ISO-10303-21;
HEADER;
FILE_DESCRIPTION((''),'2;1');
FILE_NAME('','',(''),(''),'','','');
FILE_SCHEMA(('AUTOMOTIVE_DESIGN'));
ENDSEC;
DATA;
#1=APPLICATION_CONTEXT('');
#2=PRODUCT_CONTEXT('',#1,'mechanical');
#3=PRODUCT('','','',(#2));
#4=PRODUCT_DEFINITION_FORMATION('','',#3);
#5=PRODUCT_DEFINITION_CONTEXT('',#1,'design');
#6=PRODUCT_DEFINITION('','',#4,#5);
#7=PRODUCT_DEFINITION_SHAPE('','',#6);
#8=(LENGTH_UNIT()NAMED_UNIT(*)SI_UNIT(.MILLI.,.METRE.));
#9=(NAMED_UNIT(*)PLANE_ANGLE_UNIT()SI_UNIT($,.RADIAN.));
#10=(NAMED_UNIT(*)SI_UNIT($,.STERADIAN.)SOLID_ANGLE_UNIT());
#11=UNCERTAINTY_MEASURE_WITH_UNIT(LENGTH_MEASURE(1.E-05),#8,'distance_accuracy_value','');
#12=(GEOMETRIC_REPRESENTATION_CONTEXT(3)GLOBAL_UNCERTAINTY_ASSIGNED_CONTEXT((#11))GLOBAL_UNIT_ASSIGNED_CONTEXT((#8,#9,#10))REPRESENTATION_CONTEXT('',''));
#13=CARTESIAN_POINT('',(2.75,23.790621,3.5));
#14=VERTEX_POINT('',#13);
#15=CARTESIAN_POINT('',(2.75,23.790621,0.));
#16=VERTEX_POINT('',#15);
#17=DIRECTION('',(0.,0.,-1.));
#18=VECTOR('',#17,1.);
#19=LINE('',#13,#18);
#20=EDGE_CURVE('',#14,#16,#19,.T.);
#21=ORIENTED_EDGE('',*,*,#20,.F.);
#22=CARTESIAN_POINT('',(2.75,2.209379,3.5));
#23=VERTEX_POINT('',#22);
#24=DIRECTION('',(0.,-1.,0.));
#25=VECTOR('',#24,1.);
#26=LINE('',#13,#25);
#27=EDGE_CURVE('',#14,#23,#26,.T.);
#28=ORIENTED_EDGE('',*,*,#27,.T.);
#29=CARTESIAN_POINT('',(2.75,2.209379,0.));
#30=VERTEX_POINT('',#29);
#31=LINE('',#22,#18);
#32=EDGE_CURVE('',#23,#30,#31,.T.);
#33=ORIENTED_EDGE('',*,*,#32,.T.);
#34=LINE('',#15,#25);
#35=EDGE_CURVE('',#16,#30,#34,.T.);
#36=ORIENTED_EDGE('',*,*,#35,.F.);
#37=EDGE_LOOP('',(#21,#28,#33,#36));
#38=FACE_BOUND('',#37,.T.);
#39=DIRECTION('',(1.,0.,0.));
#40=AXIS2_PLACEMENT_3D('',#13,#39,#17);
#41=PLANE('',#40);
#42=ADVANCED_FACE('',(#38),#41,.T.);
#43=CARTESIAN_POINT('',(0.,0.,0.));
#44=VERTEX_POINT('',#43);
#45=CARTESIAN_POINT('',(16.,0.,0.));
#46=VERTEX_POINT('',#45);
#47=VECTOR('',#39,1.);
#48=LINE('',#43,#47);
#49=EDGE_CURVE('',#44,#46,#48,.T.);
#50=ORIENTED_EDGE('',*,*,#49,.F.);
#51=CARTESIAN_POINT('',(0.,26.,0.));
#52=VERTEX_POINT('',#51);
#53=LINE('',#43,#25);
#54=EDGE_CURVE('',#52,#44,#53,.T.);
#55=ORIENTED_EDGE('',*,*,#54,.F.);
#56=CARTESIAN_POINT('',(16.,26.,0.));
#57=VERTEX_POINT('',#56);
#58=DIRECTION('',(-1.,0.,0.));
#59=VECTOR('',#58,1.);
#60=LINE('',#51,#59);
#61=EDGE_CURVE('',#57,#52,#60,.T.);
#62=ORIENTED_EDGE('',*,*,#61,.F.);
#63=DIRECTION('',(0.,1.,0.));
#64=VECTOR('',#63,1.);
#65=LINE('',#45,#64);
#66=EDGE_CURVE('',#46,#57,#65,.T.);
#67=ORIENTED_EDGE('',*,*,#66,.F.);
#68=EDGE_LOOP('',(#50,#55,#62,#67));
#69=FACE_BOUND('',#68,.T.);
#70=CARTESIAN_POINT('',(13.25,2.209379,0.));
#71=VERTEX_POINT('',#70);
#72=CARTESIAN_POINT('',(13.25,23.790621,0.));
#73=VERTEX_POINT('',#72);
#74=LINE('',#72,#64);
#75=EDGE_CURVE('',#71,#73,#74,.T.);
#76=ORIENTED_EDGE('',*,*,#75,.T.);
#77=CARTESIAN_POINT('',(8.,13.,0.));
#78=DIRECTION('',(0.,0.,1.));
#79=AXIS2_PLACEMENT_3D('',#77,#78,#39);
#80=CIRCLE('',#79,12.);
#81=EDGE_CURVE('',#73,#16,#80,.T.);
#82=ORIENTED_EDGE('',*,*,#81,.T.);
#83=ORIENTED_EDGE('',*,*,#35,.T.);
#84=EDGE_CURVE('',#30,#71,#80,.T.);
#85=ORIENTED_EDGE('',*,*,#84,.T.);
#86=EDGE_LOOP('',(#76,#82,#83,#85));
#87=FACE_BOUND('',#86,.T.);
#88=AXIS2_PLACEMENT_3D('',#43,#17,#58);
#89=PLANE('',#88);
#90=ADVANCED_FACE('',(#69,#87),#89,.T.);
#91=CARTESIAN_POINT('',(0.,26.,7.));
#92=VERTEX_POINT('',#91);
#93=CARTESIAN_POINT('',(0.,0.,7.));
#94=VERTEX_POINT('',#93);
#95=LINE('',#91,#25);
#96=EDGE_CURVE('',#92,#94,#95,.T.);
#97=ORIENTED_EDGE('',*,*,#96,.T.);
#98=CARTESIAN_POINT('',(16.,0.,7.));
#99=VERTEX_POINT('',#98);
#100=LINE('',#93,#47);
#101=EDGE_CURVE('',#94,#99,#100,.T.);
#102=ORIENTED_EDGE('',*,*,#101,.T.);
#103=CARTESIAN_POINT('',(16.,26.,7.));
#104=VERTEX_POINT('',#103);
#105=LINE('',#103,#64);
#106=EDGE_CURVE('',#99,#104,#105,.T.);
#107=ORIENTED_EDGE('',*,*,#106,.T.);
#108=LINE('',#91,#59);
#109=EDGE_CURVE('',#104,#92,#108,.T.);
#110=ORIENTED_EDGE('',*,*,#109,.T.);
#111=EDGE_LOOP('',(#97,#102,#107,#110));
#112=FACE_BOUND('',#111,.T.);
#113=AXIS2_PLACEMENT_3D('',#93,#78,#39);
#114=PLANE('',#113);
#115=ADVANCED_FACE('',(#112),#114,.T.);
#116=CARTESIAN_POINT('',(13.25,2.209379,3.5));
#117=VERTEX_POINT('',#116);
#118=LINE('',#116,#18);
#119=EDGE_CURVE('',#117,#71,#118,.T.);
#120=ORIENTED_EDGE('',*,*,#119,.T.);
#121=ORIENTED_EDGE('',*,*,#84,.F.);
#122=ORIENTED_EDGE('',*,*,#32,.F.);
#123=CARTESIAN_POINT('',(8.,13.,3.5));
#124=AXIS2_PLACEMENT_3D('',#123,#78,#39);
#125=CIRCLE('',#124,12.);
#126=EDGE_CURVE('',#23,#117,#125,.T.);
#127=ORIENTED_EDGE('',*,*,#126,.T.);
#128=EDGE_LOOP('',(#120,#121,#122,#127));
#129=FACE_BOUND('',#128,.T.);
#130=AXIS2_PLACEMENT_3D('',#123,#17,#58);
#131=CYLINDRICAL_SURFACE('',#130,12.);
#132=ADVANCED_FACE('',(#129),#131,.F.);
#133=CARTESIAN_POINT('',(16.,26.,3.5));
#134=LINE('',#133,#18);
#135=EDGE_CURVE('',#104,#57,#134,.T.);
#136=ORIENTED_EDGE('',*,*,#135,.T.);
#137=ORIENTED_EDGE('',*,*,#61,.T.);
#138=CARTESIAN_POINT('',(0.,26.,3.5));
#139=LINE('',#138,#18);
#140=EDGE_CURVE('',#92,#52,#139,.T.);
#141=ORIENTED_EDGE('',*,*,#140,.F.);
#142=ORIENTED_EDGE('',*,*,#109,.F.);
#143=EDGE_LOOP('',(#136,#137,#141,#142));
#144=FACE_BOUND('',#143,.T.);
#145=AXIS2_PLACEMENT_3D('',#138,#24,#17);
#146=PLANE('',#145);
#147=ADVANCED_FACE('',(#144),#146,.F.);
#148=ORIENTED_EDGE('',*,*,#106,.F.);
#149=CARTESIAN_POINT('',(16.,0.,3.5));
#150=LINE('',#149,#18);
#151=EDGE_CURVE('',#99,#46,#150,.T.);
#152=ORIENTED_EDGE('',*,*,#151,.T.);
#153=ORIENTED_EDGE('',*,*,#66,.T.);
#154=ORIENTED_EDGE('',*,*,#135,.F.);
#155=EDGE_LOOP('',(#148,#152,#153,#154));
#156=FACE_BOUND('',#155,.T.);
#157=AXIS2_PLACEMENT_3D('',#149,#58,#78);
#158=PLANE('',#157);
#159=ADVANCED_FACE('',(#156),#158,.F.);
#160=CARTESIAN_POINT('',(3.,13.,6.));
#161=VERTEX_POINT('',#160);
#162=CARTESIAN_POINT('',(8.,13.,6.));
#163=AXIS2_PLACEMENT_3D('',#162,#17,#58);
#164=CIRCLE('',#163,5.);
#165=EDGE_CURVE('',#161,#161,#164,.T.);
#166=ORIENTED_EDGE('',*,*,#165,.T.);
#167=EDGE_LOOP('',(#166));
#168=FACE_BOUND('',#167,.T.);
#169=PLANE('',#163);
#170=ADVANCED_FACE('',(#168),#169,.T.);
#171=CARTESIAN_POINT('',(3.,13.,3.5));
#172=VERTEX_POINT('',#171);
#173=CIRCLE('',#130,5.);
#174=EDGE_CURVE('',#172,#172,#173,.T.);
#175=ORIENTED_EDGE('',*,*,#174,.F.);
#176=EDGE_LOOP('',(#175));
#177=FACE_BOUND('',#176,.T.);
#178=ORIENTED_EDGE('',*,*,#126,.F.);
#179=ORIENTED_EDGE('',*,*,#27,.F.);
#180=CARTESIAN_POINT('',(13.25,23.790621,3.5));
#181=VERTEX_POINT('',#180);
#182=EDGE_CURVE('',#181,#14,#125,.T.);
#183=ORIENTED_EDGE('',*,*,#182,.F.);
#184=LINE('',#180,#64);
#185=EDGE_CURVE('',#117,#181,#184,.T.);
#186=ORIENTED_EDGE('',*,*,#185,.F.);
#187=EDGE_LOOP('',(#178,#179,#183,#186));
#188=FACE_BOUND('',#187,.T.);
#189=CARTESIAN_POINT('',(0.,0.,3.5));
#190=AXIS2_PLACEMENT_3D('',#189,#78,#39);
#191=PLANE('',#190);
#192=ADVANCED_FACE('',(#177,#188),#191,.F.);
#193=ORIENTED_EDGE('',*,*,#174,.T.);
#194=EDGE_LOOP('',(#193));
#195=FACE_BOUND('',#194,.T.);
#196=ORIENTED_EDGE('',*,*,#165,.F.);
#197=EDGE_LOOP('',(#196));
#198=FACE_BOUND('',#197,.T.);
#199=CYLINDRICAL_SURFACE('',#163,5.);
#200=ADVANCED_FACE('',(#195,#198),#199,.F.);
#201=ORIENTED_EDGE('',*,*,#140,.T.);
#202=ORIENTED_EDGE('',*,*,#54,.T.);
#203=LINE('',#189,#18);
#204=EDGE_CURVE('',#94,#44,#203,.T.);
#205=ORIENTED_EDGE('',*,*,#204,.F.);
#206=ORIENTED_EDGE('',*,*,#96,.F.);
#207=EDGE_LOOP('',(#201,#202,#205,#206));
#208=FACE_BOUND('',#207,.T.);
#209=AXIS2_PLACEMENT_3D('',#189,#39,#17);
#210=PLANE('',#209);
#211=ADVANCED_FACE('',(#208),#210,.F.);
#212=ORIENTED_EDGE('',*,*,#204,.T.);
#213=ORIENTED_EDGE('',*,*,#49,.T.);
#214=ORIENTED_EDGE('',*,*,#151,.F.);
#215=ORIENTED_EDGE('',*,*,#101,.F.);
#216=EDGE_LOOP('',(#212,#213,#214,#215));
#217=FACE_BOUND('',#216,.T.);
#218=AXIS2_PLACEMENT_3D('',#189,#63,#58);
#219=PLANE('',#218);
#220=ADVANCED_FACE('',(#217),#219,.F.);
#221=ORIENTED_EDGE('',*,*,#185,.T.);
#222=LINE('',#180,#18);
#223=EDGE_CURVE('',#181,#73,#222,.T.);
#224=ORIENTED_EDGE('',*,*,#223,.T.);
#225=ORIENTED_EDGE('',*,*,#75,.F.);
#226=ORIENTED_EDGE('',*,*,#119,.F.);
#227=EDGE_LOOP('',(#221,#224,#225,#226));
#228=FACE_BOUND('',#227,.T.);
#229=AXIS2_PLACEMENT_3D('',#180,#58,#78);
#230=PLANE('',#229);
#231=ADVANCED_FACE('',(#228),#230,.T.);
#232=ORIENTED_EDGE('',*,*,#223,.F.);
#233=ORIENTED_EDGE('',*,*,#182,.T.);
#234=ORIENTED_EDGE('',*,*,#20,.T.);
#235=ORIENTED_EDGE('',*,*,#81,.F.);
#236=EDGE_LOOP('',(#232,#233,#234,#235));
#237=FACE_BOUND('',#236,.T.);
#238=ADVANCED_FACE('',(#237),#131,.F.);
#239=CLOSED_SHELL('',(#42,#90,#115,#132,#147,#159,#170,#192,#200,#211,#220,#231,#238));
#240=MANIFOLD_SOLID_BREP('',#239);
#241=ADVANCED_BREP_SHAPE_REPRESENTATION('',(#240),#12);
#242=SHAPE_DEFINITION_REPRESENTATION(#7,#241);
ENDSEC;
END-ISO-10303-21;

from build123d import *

# Parameters (mm, degrees)
SKETCH1_W           = 16
SKETCH1_H           = 26
BOSS_EXTRUDE1_DEPTH = 3.5
SKETCH2_W           = 16
SKETCH2_H           = 26
BOSS_EXTRUDE2_DEPTH = 3.5
SKETCH3_R           = 5
CUT_EXTRUDE1_DEPTH  = 2.5


with BuildPart() as part:
    # Sketch1 → Boss-Extrude1 (new body)
    with BuildSketch(Plane.XY):
        with Locations((8, 13)):
            Rectangle(SKETCH1_W, SKETCH1_H)
        with BuildLine():
            Line((13.25, 23.790620927), (13.25, 2.209379073))
            ThreePointArc((13.25, 2.209379073), (8, 1), (2.75, 2.209379073))
            Line((2.75, 2.209379073), (2.75, 23.790620927))
            ThreePointArc((2.75, 23.790620927), (8, 25), (13.25, 23.790620927))
        make_face(mode=Mode.SUBTRACT)
    extrude(amount=BOSS_EXTRUDE1_DEPTH)

    # Sketch2 → Boss-Extrude2 (add)
    with BuildSketch(Plane.XY.offset(3.5)):
        with Locations((8, 13)):
            Rectangle(SKETCH2_W, SKETCH2_H)
    extrude(amount=BOSS_EXTRUDE2_DEPTH)

    # Sketch3 → Cut-Extrude1 (cut)
    with BuildSketch(Plane(origin=(0, 0, 3.5), x_dir=(-1, 0, 0), z_dir=(0, 0, -1))):
        with Locations((-8, 13)):
            Circle(SKETCH3_R)
    extrude(amount=-CUT_EXTRUDE1_DEPTH, mode=Mode.SUBTRACT)


solid = part.part
